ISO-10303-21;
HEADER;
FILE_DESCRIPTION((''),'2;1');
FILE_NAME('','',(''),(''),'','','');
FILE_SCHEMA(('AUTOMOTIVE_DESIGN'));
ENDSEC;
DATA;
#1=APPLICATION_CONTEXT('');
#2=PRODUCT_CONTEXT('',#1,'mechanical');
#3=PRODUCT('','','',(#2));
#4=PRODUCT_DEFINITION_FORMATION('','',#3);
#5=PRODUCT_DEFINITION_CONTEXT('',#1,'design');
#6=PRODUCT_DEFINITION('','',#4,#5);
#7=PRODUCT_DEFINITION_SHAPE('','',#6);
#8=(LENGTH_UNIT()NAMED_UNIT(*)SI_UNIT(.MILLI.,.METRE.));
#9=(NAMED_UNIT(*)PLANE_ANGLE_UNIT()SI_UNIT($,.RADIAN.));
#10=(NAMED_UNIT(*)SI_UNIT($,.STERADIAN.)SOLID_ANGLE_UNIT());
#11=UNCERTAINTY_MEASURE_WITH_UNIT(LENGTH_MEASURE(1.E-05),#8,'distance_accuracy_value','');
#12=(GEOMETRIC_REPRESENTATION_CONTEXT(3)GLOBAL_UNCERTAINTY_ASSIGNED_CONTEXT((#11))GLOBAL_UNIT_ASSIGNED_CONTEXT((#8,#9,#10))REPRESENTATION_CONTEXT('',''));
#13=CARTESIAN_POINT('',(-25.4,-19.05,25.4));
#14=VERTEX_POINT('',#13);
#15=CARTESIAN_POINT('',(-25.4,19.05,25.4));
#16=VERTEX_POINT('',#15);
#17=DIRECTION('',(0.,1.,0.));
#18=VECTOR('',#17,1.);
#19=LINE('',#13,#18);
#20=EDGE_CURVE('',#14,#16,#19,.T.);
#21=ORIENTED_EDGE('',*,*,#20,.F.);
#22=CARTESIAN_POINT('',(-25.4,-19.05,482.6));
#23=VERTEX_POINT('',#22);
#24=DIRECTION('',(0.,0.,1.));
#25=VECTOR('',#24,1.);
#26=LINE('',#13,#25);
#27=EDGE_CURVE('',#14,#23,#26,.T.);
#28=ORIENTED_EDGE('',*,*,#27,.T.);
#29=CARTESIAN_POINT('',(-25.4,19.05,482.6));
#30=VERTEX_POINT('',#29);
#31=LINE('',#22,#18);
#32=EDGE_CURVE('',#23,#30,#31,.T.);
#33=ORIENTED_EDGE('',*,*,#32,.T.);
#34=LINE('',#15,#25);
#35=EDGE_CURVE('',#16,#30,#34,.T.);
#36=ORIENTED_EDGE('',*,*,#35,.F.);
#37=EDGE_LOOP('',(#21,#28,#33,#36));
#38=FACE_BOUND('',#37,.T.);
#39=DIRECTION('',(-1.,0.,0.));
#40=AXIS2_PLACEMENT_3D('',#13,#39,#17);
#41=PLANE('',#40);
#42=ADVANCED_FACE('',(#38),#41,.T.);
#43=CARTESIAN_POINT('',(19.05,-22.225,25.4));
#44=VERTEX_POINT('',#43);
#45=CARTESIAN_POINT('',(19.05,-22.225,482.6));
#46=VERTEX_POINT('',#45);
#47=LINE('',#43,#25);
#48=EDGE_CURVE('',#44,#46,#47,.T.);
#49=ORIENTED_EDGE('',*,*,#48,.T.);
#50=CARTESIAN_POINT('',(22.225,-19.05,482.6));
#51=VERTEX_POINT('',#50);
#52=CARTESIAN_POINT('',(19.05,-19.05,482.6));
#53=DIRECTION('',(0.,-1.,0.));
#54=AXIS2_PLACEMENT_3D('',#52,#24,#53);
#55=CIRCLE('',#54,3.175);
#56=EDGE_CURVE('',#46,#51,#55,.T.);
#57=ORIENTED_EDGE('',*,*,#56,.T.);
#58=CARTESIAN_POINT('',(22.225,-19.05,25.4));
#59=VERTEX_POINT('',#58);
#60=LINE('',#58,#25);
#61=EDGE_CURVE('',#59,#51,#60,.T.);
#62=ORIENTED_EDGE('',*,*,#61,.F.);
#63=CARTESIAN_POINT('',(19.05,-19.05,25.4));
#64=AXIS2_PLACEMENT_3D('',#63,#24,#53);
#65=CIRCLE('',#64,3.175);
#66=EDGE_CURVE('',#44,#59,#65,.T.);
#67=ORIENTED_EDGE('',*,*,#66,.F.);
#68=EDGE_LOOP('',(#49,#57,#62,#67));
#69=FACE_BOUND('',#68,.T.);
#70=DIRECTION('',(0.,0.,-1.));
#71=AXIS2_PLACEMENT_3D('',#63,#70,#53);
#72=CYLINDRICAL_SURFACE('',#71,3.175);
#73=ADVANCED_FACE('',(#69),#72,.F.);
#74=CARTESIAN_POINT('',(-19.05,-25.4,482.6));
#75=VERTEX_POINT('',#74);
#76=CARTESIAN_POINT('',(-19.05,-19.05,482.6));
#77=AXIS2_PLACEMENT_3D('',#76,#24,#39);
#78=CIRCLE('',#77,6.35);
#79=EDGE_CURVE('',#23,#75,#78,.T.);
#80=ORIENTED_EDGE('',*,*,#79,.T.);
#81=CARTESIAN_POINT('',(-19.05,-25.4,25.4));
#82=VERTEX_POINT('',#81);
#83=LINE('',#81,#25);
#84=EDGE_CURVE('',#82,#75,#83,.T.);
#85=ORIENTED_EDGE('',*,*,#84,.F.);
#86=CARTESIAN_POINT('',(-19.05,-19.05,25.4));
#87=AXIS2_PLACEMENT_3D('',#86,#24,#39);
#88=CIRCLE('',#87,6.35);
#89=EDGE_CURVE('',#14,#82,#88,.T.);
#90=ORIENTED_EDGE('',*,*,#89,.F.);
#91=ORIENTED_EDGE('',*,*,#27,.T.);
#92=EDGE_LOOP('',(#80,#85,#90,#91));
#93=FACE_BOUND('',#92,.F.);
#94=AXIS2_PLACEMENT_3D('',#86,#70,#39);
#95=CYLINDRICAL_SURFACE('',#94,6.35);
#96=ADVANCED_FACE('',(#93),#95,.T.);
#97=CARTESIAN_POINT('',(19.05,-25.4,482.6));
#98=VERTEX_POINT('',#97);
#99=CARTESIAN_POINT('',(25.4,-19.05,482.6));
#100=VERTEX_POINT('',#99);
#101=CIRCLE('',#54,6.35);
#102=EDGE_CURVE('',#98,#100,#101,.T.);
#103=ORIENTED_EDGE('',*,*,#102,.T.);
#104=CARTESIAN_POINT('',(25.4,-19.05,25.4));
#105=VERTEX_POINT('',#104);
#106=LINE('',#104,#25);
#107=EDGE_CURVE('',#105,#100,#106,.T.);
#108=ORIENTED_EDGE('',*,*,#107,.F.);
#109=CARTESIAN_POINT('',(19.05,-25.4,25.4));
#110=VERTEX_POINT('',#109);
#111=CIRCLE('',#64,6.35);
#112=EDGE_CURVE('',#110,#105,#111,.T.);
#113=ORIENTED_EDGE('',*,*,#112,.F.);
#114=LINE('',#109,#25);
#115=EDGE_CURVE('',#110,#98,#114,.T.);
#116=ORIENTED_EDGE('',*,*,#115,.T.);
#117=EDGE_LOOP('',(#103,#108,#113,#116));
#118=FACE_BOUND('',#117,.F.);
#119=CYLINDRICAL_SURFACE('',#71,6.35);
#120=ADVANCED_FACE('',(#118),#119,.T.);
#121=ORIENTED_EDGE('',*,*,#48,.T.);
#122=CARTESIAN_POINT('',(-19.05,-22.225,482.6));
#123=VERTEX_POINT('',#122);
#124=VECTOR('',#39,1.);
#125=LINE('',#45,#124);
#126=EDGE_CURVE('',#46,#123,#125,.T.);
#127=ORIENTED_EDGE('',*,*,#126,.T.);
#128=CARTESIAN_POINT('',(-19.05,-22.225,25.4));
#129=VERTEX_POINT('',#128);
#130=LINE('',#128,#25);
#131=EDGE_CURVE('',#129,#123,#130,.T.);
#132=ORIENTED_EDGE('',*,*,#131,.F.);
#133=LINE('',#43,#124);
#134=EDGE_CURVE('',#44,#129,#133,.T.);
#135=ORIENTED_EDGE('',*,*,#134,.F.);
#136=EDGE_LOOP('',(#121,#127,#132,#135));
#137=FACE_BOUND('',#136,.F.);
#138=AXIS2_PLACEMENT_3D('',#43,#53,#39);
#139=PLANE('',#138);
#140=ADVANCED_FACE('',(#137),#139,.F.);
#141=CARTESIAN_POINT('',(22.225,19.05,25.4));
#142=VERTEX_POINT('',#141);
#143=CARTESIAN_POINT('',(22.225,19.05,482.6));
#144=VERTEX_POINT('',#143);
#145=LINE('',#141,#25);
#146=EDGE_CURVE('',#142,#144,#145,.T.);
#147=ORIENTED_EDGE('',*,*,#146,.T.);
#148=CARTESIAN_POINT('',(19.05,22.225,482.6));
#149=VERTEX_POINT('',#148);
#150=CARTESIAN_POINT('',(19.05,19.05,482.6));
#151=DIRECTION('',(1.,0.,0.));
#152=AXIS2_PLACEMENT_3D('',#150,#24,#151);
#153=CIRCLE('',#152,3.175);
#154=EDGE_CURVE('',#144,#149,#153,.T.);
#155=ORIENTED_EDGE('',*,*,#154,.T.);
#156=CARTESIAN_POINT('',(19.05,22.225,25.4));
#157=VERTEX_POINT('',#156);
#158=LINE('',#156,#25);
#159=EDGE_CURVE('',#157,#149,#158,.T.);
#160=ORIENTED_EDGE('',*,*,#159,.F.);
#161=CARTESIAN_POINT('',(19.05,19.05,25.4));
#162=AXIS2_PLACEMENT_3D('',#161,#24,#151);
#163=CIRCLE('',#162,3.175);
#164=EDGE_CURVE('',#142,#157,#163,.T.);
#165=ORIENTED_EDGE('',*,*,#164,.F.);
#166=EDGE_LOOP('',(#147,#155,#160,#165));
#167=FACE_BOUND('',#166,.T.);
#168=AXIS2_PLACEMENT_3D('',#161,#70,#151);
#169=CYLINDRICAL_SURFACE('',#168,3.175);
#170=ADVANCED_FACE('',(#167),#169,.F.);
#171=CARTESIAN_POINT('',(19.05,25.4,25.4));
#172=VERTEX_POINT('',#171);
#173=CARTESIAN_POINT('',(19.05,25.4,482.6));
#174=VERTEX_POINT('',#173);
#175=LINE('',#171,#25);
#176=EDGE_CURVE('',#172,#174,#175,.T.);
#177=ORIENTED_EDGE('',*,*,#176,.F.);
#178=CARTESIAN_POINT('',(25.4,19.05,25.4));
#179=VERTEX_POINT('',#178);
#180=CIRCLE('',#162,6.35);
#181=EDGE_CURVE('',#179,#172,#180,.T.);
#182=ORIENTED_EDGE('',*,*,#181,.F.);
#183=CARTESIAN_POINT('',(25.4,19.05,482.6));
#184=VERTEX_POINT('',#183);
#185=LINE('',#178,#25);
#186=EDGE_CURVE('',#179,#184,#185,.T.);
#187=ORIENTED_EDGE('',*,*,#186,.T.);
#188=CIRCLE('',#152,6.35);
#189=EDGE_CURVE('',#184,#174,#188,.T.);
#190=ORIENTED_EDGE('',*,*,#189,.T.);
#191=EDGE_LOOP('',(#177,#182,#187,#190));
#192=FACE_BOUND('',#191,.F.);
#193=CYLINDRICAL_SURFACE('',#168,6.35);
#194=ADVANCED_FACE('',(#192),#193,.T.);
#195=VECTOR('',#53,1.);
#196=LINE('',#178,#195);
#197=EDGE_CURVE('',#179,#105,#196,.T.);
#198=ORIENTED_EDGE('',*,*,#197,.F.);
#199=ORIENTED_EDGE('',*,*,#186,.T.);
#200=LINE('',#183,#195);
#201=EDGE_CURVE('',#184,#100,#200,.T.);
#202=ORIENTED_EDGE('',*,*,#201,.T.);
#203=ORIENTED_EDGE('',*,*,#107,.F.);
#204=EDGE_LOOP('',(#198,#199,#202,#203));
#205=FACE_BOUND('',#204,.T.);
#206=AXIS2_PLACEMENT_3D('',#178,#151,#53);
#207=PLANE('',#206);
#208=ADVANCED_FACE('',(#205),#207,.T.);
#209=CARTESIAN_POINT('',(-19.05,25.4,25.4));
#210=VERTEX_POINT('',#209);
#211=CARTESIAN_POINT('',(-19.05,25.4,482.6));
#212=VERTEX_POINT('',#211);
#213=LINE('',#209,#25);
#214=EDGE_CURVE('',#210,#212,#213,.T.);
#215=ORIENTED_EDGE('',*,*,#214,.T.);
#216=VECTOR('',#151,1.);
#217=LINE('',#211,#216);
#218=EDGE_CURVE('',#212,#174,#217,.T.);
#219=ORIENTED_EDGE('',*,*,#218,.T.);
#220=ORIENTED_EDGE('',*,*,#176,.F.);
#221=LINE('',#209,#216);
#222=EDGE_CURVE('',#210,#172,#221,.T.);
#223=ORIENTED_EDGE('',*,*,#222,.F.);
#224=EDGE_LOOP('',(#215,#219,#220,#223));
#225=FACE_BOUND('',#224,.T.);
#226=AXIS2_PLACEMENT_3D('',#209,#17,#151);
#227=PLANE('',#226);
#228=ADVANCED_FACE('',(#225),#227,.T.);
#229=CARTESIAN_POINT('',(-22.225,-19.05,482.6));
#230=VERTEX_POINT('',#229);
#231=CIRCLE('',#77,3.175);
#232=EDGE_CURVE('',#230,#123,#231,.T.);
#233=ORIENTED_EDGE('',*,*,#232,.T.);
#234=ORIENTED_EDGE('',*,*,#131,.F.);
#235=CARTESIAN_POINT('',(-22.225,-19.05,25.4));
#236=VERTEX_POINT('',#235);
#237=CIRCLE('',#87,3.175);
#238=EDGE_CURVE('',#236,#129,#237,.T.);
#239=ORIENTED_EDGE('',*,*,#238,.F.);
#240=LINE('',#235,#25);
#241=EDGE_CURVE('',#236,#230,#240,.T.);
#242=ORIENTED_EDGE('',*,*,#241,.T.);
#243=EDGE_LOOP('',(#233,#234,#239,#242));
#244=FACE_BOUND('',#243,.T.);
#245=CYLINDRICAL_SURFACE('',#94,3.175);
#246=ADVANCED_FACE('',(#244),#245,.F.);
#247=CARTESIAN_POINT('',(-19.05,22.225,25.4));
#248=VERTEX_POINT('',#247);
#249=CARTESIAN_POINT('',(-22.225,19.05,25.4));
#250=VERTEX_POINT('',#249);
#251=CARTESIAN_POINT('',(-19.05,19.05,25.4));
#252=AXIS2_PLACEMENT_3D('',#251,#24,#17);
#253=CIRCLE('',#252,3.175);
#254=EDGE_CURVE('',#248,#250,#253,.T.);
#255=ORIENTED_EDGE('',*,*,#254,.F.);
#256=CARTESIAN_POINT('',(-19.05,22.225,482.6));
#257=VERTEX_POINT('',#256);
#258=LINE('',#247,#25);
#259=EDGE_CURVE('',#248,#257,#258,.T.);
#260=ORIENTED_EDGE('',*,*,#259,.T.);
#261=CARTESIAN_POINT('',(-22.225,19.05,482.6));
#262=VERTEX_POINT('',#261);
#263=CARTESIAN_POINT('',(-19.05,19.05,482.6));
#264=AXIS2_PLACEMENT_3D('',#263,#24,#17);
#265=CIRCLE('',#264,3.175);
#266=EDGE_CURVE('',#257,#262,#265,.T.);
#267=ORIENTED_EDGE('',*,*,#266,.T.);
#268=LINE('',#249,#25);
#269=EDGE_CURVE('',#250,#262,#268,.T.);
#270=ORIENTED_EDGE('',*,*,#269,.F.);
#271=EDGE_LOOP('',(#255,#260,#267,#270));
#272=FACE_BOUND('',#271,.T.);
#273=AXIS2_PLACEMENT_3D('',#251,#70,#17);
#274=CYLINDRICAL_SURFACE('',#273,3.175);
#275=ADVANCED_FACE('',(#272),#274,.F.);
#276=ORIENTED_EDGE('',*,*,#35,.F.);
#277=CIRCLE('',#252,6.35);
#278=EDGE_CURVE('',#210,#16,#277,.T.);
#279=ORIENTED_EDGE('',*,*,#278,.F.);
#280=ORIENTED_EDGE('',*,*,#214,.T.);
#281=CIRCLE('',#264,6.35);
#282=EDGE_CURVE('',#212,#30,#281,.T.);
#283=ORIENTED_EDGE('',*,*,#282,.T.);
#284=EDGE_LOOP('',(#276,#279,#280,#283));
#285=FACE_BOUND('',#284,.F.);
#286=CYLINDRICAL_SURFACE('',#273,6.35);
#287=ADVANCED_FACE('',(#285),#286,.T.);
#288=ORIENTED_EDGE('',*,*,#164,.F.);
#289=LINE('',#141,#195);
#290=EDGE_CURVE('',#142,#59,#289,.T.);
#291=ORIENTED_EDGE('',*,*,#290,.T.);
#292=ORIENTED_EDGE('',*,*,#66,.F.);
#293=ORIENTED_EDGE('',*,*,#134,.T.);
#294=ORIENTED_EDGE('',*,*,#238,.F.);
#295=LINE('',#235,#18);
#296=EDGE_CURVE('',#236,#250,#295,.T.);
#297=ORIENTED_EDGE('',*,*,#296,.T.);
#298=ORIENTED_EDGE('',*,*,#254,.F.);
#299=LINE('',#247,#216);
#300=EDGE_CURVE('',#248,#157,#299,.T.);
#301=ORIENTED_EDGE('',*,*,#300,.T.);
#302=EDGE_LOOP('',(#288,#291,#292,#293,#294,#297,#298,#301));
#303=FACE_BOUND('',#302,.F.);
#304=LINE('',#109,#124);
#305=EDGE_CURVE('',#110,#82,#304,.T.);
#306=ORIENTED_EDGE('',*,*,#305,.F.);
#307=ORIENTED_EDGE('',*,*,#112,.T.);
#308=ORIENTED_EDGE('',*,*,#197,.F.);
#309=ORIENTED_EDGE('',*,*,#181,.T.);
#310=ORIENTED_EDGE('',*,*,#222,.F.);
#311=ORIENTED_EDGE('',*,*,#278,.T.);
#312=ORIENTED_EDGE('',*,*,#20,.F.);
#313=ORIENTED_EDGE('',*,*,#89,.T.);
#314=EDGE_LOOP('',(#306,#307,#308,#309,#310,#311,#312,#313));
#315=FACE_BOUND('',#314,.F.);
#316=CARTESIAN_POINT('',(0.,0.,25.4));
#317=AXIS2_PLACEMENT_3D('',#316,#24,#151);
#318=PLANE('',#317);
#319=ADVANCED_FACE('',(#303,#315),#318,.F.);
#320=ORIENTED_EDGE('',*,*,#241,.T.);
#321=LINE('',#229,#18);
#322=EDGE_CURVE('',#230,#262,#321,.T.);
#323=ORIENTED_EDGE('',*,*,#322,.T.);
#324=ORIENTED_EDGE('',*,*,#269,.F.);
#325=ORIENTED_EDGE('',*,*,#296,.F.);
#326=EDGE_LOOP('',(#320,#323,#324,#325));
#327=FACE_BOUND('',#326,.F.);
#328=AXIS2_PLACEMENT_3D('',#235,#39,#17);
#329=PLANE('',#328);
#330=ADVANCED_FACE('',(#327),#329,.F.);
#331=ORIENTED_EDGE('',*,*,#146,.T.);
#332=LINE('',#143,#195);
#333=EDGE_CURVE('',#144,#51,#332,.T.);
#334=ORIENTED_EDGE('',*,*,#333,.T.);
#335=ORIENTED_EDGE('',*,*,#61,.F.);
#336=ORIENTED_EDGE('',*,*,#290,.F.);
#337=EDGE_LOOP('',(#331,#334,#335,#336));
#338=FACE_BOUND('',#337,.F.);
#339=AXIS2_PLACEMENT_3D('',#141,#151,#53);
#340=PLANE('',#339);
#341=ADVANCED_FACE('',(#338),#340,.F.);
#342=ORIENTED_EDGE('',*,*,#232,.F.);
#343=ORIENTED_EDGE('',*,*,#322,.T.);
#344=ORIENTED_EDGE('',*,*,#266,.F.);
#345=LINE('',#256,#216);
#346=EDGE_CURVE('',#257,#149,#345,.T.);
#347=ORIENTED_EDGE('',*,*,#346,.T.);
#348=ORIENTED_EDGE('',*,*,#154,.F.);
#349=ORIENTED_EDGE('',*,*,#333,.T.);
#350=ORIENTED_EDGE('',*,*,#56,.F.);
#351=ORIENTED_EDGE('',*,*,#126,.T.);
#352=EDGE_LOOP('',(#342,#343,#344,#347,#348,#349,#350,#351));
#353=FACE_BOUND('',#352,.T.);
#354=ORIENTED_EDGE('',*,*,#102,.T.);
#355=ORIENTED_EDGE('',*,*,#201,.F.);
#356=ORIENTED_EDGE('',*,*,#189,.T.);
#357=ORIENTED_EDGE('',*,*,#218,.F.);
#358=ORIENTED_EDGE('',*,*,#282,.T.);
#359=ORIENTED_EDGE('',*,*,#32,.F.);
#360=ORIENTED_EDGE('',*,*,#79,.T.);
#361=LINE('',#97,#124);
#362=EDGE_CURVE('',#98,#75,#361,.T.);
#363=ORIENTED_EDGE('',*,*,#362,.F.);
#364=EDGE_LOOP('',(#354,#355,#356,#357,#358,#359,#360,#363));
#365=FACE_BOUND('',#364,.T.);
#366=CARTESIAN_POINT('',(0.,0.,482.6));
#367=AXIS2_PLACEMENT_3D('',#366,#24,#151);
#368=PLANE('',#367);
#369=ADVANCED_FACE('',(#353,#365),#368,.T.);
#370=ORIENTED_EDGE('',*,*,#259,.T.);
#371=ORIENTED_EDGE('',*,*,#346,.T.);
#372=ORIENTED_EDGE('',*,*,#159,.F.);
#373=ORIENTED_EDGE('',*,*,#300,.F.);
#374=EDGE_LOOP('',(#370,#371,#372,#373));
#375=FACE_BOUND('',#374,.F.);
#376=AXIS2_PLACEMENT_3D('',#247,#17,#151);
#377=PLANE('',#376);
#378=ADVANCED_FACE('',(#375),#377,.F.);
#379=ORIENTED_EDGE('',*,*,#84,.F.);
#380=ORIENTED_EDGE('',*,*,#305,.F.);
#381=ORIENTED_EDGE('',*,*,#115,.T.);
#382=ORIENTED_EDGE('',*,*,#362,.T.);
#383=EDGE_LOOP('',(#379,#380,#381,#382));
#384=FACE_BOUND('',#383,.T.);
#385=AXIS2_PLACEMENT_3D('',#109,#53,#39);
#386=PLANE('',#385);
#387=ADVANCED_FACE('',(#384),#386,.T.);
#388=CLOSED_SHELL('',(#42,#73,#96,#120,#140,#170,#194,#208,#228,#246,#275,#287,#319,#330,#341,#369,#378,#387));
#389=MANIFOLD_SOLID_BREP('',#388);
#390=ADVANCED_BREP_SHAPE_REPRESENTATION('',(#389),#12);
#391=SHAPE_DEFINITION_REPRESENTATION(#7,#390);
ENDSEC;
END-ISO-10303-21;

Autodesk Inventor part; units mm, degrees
ref_plane "YZ Plane" through (0, 0, 0) normal (1, 0, 0) x (0, 1, 0)
ref_plane "Start Plane" through (0, 0, 25.4) normal (0, 0, 1) x (1, 0, 0)
ref_plane "End Plane" through (0, 0, 482.6) normal (0, 0, 1) x (1, 0, 0)
sketch "Sketch" plane through (0, 0, 0) normal (0, 0, 1) x (1, 0, 0)
  line L0 (-25.4, -19.05) -> (-25.4, 19.05)
  line L1 (-19.05, 25.4) -> (19.05, 25.4)
  line L2 (25.4, 19.05) -> (25.4, -19.05)
  line L3 (19.05, -25.4) -> (-19.05, -25.4)
  arc A0 (-25.4, -19.05) -> (-19.05, -25.4) centre (-19.05, -19.05) ccw
  arc A1 (-19.05, 25.4) -> (-25.4, 19.05) centre (-19.05, 19.05) ccw
  arc A2 (25.4, 19.05) -> (19.05, 25.4) centre (19.05, 19.05) ccw
  arc A3 (19.05, -25.4) -> (25.4, -19.05) centre (19.05, -19.05) ccw
  arc A4 (-19.05, 22.225) -> (-22.225, 19.05) centre (-19.05, 19.05) ccw
  line L4 (-19.05, 22.225) -> (19.05, 22.225)
  arc A5 (22.225, 19.05) -> (19.05, 22.225) centre (19.05, 19.05) ccw
  line L5 (22.225, 19.05) -> (22.225, -19.05)
  arc A6 (19.05, -22.225) -> (22.225, -19.05) centre (19.05, -19.05) ccw
  line L6 (19.05, -22.225) -> (-19.05, -22.225)
  arc A7 (-22.225, -19.05) -> (-19.05, -22.225) centre (-19.05, -19.05) ccw
  line L7 (-22.225, -19.05) -> (-22.225, 19.05)
  line L8 (0, 37.4012) -> (0, -37.4012) construction
  line L9 (-37.4012, 0) -> (37.4012, 0) construction
  dimension "d10" = 50.8
  dimension "d11" = 50.8
  dimension "d12" = 3.175
  dimension "d15" = 25.4
  dimension "d16" = 25.4
  dimension "d17" = 6.35
extrude "Body" add sketch "Sketch" along normal up to surface (457.2 mm away) from surface at 25.4
sketch "Sketch3" plane through (0, 0, 0) normal (0, 0, 1) x (1, 0, 0)
  line L0 (0, 0) -> (10, 0)
ref_plane "Work Plane3" through (0, 0, 0) normal (0, -1, 0) x (1, 0, 0)
sketch "Sketch4" plane through (0, 0, 0) normal (0, -1, 0) x (1, 0, 0)
  line L0 (-2, 25.4) -> (12, 25.4)
  line L1 (-2, 482.6) -> (12, 482.6)
  dimension "d19" = 457.2
equation "\"d10\" = G_H"
equation "\"d11\" = G_W"
equation "\"d12\" = G_T"
equation "\"d15\" = 0.5 * d10"
equation "\"d16\" = 0.5 * d11"
equation "\"d17\" = G_IR"
equation "\"d3\" = G_L"
equation "\"G_W\" = 50.8"
equation "\"G_H\" = 50.8"
equation "\"G_T\" = 3.175"
equation "\"G_IR\" = 6.35"
equation "\"G_L\" = d19"
equation "\"G_OFFSET_START\" = -25.4"
equation "\"G_OFFSET_END\" = -25.4"
equation "\"d13\" = -G_OFFSET_START"
equation "\"d14\" = G_OFFSET_END + B_L"
equation "\"B_L\" = 508"
properties part number "AISC - 2 x 2 x 1/8 - 18" material "Steel, Mild"
